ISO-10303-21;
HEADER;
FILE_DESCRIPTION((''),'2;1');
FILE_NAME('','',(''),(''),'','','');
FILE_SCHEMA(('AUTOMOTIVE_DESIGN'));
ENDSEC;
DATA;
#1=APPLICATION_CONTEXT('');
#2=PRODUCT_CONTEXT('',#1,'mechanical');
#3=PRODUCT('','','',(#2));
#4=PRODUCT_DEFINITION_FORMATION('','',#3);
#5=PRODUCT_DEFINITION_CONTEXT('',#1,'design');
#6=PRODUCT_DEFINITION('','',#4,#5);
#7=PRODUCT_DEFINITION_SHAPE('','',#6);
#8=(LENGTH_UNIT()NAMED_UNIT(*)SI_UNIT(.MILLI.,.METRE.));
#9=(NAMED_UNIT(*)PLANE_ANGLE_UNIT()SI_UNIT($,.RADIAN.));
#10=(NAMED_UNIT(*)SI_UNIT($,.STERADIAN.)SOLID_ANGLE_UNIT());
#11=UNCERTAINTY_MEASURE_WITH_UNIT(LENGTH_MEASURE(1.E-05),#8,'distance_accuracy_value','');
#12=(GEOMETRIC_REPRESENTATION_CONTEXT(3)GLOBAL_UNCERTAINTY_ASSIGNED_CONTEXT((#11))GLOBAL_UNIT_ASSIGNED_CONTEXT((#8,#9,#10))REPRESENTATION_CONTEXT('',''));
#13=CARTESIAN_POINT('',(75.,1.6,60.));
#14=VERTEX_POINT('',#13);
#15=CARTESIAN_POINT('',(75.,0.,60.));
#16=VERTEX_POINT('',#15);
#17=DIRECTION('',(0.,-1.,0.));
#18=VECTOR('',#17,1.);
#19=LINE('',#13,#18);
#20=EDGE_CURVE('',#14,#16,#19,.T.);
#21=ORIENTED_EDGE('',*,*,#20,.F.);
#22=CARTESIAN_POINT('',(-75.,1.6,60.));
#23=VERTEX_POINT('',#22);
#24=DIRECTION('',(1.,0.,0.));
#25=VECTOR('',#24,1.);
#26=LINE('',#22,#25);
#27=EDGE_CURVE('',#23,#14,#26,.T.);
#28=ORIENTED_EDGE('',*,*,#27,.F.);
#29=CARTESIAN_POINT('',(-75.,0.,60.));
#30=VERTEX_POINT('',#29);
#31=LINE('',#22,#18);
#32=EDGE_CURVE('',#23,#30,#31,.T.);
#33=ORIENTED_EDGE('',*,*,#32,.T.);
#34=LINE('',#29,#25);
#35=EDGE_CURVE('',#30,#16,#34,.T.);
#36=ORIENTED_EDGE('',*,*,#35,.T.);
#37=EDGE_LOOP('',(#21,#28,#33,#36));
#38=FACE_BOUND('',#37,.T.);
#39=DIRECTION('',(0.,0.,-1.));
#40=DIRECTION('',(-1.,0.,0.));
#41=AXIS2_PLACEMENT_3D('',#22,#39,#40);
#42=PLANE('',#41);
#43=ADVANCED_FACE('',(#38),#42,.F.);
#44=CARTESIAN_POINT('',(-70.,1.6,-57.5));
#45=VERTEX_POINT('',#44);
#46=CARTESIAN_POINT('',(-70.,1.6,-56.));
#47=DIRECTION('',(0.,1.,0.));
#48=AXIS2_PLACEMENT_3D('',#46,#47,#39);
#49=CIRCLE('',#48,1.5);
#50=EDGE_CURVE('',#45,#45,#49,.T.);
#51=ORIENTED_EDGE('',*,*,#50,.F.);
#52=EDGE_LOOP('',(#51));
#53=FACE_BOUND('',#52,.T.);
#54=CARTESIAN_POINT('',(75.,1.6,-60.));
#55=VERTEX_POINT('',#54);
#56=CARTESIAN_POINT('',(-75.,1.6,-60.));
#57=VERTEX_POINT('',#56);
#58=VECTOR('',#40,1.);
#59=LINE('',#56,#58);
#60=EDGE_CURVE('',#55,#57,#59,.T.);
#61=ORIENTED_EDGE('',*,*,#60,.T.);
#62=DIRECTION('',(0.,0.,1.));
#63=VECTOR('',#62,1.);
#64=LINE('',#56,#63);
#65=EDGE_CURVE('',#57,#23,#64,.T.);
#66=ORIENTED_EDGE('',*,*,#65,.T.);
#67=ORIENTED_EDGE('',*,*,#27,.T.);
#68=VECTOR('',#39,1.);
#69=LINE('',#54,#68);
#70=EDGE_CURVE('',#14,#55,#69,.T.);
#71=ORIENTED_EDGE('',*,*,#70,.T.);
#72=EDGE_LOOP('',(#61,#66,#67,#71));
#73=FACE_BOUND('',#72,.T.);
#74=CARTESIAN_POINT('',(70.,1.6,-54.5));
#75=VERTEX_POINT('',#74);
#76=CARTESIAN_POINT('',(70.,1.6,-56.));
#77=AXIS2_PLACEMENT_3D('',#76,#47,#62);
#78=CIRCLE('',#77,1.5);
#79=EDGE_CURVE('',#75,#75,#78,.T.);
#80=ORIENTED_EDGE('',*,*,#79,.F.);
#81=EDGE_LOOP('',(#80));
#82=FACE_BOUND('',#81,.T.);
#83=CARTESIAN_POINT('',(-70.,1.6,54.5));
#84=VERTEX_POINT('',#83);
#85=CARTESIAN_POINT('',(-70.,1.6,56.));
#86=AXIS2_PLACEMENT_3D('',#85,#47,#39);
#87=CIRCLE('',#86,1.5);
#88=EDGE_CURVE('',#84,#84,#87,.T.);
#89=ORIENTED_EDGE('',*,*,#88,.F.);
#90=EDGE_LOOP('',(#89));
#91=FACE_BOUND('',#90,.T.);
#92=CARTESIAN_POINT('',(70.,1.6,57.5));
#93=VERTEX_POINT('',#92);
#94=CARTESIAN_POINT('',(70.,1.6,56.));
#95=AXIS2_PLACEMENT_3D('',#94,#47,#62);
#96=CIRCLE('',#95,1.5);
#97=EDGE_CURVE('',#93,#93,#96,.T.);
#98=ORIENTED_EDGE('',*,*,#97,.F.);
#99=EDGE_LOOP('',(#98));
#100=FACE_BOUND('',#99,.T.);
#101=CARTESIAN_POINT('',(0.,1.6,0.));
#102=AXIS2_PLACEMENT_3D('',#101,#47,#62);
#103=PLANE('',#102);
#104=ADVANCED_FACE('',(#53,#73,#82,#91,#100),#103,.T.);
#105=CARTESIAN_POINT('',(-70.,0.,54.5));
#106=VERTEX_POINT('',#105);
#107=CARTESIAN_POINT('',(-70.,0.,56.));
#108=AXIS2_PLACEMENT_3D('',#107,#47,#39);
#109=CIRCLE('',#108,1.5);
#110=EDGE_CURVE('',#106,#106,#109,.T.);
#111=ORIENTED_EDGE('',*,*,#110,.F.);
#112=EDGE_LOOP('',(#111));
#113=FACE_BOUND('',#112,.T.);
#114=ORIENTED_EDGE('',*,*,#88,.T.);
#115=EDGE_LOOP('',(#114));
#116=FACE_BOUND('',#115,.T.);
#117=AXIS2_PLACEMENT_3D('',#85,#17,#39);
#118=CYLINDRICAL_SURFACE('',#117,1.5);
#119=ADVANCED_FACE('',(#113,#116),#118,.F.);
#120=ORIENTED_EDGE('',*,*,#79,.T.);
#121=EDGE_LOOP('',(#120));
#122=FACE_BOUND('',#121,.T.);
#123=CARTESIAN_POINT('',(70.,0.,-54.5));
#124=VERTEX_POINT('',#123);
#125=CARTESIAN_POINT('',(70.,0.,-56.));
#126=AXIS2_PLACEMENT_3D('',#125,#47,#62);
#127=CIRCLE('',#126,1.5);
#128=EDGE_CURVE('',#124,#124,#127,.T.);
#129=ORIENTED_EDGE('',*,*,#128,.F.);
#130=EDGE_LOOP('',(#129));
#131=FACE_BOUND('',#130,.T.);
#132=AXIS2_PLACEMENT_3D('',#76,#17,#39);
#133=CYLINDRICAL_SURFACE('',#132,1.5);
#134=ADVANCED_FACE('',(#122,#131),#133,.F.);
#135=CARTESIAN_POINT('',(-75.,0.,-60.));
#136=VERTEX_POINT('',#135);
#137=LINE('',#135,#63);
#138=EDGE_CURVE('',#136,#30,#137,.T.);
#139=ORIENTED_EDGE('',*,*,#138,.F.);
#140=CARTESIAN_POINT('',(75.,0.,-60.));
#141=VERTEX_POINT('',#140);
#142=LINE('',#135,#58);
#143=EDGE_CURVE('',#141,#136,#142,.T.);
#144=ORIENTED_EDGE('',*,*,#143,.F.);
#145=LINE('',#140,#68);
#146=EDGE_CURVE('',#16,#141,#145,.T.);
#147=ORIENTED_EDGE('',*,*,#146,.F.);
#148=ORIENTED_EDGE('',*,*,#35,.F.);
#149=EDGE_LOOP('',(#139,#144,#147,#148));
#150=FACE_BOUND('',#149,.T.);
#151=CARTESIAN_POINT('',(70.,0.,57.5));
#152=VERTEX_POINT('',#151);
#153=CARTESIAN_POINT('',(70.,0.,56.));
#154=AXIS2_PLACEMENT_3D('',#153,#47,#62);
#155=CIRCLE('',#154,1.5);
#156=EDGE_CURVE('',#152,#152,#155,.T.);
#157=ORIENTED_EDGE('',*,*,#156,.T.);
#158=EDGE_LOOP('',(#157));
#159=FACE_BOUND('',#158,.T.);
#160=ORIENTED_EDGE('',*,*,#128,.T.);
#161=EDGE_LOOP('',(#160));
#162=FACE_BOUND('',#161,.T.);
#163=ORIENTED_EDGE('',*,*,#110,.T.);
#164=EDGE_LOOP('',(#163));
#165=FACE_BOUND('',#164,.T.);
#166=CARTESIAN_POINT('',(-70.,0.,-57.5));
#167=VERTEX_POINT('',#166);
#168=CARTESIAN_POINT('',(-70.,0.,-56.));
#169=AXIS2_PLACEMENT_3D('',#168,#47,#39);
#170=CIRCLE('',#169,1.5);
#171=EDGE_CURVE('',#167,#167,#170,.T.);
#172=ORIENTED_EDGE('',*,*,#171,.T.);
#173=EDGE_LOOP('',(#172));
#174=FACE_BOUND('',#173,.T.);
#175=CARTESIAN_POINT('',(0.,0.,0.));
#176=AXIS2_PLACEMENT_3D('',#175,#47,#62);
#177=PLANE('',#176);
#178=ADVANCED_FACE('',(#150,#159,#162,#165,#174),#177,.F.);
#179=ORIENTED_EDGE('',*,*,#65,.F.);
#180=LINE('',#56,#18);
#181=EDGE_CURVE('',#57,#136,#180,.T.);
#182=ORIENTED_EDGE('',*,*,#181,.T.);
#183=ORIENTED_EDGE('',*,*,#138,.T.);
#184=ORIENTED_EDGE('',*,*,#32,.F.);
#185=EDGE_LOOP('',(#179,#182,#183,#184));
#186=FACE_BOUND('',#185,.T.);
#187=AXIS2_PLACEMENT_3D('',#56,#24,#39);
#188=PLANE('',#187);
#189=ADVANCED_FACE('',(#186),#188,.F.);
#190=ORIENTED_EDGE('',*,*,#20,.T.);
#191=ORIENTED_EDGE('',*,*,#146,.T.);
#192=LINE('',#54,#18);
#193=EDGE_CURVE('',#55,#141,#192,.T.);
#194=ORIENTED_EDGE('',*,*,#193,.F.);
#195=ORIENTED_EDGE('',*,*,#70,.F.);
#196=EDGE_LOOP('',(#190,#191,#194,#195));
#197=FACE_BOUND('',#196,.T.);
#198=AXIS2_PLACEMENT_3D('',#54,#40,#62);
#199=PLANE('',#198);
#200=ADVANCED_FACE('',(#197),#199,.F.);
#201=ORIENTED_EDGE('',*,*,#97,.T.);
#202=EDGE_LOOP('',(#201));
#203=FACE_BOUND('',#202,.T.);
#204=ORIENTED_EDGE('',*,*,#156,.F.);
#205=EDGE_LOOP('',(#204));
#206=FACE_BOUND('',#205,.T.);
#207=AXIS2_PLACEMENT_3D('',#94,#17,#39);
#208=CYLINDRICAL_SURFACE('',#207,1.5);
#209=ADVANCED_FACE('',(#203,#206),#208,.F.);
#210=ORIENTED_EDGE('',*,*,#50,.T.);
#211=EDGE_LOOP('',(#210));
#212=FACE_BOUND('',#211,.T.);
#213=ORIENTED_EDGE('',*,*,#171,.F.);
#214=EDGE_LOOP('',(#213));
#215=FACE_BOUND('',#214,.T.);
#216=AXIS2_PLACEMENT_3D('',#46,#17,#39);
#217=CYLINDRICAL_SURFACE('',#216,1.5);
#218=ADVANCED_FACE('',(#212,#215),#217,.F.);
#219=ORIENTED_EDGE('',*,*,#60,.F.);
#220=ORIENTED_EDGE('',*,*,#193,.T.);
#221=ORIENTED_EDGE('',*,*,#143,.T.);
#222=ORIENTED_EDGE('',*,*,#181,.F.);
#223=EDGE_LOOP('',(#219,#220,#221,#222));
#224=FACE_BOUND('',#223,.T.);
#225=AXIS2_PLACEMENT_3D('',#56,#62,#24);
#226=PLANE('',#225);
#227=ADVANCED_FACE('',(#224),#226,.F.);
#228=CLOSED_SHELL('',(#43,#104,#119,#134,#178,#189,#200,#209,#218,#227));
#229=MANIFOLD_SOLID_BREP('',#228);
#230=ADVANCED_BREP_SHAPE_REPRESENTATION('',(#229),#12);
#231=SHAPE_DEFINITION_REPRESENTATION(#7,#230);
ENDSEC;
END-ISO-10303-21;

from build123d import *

# Parameters (mm, degrees)
SKETCH1_W           = 150
SKETCH1_H           = 120
SKETCH1_R           = 1.5
BOSS_EXTRUDE1_DEPTH = 1.6


with BuildPart() as part:
    # Sketch1 → Boss-Extrude1 (new body)
    with BuildSketch(Plane(origin=(0, 0, 0), x_dir=(1, 0, 0), z_dir=(0, 1, 0))):
        Rectangle(SKETCH1_W, SKETCH1_H)
        with Locations(Location((70, 56, 0), (0, 0, 270))):
            Circle(SKETCH1_R, mode=Mode.SUBTRACT)
        with Locations(Location((70, -56, 0), (0, 0, 270))):
            Circle(SKETCH1_R, mode=Mode.SUBTRACT)
        with Locations(Location((-70, -56, 0), (0, 0, 90))):
            Circle(SKETCH1_R, mode=Mode.SUBTRACT)
        with Locations(Location((-70, 56, 0), (0, 0, 90))):
            Circle(SKETCH1_R, mode=Mode.SUBTRACT)
    extrude(amount=BOSS_EXTRUDE1_DEPTH)


solid = part.part
